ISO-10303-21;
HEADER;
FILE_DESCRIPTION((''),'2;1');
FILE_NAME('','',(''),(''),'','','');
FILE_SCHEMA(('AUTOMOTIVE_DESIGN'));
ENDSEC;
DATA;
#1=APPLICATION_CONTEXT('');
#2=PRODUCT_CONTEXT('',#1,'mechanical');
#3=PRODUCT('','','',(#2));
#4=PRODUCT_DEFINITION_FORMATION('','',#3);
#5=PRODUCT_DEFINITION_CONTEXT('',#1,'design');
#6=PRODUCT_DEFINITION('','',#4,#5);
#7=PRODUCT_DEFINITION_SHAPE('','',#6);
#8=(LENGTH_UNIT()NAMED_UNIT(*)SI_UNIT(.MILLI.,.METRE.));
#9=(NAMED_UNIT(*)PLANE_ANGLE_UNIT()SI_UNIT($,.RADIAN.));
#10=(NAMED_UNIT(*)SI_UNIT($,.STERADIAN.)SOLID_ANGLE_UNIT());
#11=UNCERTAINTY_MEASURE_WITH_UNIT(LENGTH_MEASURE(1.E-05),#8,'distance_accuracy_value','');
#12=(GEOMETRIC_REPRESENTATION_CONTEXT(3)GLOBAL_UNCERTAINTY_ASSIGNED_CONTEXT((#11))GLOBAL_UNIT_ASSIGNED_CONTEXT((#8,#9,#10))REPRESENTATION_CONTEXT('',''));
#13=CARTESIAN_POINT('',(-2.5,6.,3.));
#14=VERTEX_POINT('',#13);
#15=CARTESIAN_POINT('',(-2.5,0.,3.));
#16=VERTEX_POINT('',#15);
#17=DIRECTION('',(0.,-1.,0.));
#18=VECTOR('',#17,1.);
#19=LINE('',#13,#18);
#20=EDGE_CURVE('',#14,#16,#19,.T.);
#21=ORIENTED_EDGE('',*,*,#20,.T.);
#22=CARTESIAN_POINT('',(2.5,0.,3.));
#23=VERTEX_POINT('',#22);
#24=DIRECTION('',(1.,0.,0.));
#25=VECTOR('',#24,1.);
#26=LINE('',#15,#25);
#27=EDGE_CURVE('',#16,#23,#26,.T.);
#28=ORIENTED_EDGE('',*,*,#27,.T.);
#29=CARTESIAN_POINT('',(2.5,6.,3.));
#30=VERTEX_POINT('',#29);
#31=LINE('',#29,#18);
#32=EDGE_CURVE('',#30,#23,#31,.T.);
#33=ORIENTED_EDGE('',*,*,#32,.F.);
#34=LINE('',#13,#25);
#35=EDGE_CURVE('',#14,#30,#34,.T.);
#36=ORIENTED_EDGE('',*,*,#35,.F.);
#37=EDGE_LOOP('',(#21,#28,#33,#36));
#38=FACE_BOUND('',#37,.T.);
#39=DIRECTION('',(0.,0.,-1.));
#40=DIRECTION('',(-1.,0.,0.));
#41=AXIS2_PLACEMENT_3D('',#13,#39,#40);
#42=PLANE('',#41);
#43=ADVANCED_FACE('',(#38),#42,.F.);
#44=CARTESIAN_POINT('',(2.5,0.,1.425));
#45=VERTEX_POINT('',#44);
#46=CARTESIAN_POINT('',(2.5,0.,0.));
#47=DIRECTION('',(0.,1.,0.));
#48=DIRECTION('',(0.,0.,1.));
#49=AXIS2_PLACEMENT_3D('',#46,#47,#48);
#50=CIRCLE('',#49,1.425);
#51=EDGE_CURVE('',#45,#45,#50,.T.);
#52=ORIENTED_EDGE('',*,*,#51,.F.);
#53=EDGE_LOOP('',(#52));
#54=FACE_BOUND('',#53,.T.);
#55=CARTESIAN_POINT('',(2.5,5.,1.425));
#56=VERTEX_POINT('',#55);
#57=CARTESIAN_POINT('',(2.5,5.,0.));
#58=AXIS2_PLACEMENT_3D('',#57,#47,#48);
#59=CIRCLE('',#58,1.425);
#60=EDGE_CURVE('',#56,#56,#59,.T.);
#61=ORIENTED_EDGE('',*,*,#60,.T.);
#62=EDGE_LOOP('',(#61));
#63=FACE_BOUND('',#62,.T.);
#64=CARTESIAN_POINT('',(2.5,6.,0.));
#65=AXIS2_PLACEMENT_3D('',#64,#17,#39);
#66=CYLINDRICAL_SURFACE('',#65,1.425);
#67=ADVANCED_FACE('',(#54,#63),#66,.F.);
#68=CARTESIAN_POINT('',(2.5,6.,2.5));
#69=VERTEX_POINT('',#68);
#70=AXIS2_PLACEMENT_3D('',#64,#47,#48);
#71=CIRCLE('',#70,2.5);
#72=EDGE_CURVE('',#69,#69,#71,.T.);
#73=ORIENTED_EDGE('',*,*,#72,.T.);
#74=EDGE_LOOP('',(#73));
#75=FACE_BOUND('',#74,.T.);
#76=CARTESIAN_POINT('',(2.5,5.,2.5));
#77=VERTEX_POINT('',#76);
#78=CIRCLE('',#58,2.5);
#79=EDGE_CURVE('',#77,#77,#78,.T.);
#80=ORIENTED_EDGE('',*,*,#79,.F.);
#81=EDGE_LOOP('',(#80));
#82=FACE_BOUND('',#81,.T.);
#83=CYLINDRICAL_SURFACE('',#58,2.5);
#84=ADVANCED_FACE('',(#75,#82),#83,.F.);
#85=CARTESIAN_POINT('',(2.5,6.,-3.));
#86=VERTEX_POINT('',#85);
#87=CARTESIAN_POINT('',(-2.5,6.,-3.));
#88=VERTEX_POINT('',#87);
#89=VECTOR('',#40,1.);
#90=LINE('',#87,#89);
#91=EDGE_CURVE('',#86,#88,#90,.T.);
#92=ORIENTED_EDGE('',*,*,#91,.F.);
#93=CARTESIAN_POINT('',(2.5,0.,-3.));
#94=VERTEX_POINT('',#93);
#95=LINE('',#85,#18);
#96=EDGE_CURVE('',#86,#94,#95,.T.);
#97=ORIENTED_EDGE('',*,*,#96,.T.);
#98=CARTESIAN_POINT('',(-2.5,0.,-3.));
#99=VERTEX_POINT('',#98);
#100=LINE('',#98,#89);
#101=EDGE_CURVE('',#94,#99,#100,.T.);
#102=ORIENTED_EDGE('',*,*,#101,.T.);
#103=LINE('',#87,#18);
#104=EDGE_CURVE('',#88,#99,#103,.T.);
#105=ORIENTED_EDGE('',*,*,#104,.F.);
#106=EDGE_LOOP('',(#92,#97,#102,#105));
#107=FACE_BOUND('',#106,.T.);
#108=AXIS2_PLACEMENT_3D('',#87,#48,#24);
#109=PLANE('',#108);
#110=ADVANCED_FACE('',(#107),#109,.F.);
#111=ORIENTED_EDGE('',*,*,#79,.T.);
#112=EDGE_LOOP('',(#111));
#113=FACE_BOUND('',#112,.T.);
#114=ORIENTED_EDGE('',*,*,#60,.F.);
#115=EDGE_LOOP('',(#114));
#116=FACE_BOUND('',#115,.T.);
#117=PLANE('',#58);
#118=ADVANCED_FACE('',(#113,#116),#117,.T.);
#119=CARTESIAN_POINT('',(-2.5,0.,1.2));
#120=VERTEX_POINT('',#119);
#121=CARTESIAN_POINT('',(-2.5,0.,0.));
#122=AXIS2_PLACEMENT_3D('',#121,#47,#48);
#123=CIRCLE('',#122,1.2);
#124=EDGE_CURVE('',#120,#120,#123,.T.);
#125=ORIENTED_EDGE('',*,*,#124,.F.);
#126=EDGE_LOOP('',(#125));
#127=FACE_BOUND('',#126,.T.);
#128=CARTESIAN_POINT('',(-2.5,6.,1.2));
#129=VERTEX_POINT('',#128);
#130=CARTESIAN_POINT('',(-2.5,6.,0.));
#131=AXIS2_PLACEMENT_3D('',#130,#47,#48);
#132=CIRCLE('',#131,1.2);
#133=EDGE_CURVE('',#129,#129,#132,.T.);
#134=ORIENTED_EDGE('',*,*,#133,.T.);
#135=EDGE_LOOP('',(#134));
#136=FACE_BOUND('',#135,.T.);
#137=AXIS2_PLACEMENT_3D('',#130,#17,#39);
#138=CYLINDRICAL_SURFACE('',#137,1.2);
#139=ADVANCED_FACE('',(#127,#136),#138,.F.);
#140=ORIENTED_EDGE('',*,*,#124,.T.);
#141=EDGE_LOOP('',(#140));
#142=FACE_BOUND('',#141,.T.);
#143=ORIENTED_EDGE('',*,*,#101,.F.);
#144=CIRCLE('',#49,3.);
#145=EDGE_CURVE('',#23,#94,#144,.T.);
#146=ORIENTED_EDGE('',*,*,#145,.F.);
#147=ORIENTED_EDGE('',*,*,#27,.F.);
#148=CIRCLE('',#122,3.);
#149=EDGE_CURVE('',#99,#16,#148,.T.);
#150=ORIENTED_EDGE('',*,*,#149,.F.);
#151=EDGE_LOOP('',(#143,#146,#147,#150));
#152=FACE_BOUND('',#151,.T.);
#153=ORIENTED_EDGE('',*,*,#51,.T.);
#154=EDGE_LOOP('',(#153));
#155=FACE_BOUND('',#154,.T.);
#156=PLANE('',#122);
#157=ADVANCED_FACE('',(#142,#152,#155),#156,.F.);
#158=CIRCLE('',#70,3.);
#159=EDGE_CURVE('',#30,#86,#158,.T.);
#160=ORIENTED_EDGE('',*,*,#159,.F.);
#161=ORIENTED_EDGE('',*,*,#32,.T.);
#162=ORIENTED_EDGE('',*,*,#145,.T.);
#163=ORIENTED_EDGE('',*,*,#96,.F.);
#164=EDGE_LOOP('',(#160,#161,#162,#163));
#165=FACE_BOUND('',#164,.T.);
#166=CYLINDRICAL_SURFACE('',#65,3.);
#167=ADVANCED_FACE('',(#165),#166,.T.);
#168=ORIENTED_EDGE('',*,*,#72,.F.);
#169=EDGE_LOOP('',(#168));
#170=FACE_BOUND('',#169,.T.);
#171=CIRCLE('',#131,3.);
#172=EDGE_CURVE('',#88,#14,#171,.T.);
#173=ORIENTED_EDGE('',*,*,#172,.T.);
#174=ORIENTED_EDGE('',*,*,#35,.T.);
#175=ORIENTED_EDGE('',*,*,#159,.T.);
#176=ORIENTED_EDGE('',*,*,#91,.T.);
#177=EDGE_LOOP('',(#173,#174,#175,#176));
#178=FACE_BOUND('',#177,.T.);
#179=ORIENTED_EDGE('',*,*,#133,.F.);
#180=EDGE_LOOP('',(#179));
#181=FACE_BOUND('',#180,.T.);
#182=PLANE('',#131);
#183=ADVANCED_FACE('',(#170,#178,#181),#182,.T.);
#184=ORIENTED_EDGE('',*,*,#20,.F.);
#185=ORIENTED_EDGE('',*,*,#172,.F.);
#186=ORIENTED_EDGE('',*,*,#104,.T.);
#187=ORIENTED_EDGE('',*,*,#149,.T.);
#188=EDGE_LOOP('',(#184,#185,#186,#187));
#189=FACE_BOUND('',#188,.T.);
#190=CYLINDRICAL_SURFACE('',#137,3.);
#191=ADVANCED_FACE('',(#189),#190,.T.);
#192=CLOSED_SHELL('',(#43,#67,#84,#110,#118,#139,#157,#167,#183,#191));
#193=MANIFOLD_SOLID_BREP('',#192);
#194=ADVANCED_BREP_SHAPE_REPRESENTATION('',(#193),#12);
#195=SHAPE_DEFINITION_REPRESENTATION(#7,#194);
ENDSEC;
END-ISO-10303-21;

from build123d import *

# Parameters (mm, degrees)
SKETCH_1_R          = 1.425
SKETCH_1_R_2        = 1.2
EXTRUDE_1_DEPTH     = 6
SKETCH_2_R          = 2.5
CUT_EXTRUDE_1_DEPTH = 1


with BuildPart() as part:
    # 草图1 → 凸台-拉伸1 (new body)
    with BuildSketch(Plane(origin=(0, 0, 0), x_dir=(1, 0, 0), z_dir=(0, 1, 0))):
        with BuildLine():
            Line((-2.5, 3), (2.5, 3))
            ThreePointArc((2.5, 3), (5.5, 0), (2.5, -3))
            Line((2.5, -3), (-2.5, -3))
            ThreePointArc((-2.5, -3), (-5.5, 0), (-2.5, 3))
        make_face()
        with Locations((2.5, 0)):
            Circle(SKETCH_1_R, mode=Mode.SUBTRACT)
        with Locations((-2.5, 0)):
            Circle(SKETCH_1_R_2, mode=Mode.SUBTRACT)
    extrude(amount=EXTRUDE_1_DEPTH)

    # 草图2 → 切除-拉伸1 (cut)
    with BuildSketch(Plane(origin=(0, 6, 0), x_dir=(1, 0, 0), z_dir=(0, 1, 0))):
        with Locations((2.5, 0)):
            Circle(SKETCH_2_R)
    extrude(amount=-CUT_EXTRUDE_1_DEPTH, mode=Mode.SUBTRACT)


solid = part.part
